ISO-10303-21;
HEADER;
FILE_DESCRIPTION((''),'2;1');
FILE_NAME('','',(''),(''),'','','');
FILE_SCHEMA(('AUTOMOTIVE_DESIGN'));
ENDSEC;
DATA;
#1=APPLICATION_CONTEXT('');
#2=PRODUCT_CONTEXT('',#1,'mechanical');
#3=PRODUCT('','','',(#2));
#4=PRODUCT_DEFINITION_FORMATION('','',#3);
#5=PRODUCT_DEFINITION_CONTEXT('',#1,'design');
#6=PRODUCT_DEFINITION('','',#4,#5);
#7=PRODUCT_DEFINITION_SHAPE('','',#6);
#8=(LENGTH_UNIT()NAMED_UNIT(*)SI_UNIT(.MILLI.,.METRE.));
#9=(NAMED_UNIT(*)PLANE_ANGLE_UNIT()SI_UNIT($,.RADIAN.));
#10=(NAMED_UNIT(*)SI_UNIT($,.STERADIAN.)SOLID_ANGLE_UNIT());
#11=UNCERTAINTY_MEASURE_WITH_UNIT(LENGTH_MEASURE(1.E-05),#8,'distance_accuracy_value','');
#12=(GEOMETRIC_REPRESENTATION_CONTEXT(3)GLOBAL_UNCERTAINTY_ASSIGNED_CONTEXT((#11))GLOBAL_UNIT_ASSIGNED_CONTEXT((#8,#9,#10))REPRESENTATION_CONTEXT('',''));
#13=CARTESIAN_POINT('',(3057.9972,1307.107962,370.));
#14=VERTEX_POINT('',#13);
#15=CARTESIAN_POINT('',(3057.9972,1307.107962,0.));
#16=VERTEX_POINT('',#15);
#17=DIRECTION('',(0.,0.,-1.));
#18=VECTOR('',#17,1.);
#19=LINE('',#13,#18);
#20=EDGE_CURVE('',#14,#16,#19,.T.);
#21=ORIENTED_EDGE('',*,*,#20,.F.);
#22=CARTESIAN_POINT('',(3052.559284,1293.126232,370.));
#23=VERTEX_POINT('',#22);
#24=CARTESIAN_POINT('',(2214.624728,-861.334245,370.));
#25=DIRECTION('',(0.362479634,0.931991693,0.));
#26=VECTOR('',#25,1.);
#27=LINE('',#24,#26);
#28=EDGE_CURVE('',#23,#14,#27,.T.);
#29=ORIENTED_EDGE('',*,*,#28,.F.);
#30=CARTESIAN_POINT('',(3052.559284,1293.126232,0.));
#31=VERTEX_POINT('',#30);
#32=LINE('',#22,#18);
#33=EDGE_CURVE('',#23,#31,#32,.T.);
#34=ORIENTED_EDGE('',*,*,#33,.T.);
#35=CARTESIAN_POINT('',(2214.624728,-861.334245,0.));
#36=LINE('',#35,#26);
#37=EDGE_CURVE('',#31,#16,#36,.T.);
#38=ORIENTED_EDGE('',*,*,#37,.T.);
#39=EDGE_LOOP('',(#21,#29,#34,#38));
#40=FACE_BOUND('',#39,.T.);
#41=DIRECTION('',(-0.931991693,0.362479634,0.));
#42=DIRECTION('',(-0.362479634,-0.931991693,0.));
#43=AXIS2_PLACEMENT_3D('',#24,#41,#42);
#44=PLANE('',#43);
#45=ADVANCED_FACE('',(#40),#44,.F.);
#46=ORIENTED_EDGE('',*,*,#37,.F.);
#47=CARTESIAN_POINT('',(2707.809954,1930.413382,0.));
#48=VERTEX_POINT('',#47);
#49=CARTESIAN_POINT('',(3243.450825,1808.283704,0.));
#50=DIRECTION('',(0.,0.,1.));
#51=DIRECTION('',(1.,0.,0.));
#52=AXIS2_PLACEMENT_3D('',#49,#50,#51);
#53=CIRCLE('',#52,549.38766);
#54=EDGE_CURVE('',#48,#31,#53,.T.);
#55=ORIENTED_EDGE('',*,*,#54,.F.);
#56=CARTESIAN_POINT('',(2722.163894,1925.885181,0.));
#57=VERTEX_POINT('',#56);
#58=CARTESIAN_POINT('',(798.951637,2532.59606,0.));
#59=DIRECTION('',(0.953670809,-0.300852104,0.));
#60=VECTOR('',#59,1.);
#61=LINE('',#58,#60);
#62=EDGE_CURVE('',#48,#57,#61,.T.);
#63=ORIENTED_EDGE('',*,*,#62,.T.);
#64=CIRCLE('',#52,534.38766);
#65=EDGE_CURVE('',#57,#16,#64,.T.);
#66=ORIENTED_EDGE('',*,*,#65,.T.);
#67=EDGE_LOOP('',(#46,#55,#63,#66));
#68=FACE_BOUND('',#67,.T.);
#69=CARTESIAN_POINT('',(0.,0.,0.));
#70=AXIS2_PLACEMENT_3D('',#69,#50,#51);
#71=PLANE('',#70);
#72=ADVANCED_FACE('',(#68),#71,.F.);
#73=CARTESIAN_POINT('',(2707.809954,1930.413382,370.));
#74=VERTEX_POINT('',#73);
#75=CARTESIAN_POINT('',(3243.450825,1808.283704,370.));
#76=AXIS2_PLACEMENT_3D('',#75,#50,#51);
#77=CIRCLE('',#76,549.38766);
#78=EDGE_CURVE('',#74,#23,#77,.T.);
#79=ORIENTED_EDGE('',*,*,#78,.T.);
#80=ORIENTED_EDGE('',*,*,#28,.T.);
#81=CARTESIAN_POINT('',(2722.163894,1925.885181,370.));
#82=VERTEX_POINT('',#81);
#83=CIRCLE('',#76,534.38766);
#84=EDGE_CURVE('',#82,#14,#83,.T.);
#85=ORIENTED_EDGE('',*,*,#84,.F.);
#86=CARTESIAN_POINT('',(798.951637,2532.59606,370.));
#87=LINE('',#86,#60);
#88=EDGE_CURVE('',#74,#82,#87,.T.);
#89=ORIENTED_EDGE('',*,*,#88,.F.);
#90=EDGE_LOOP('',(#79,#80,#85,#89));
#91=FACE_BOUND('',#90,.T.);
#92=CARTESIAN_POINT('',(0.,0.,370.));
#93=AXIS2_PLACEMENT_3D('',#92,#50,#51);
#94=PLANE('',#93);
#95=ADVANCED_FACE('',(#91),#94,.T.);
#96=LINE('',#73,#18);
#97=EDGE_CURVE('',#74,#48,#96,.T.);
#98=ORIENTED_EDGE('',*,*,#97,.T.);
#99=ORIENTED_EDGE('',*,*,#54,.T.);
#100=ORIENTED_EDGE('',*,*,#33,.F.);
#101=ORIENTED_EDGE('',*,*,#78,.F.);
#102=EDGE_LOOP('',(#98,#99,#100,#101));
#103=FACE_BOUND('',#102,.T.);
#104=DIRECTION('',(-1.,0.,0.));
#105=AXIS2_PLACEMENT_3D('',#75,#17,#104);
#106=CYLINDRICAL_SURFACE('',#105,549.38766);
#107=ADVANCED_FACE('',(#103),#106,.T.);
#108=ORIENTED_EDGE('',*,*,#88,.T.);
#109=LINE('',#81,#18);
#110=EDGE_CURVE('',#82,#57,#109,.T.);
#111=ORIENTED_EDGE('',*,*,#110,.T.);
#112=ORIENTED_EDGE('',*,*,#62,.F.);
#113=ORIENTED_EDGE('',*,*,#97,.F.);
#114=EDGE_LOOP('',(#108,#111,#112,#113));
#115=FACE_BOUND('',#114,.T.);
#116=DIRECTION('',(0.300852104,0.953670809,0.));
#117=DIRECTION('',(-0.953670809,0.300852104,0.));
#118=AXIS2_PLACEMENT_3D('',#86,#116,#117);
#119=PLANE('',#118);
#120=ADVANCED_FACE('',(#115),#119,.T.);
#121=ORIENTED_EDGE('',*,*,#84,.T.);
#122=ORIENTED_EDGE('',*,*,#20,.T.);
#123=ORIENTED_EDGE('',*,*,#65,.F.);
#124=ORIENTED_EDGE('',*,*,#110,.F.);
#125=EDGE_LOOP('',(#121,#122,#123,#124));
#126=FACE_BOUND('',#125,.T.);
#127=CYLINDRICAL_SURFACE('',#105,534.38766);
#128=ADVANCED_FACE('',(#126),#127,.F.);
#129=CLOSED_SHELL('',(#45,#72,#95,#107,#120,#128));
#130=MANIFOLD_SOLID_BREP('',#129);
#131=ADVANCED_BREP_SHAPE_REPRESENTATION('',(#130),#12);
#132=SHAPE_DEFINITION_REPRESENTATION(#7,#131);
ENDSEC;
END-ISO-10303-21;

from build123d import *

# Parameters (mm, degrees)
Y_KSEKLIK_EKSTR_ZYON1_DEPTH = 370


with BuildPart() as part:
    # Model → Yükseklik-Ekstrüzyon1 (new body)
    with BuildSketch(Plane.XY):
        with BuildLine():
            ThreePointArc((2707.809953619, 1930.413382125), (2760.236519974, 1546.882218038), (3052.559283903, 1293.126232147))
            Line((3052.559283903, 1293.126232147), (3057.997199689, 1307.107962051))
            ThreePointArc((3057.997199689, 1307.107962051), (2773.778742407, 1553.375276393), (2722.163894248, 1925.885180989))
            Line((2722.163894248, 1925.885180989), (2707.809953619, 1930.413382126))
        make_face()
    extrude(amount=Y_KSEKLIK_EKSTR_ZYON1_DEPTH)


solid = part.part
